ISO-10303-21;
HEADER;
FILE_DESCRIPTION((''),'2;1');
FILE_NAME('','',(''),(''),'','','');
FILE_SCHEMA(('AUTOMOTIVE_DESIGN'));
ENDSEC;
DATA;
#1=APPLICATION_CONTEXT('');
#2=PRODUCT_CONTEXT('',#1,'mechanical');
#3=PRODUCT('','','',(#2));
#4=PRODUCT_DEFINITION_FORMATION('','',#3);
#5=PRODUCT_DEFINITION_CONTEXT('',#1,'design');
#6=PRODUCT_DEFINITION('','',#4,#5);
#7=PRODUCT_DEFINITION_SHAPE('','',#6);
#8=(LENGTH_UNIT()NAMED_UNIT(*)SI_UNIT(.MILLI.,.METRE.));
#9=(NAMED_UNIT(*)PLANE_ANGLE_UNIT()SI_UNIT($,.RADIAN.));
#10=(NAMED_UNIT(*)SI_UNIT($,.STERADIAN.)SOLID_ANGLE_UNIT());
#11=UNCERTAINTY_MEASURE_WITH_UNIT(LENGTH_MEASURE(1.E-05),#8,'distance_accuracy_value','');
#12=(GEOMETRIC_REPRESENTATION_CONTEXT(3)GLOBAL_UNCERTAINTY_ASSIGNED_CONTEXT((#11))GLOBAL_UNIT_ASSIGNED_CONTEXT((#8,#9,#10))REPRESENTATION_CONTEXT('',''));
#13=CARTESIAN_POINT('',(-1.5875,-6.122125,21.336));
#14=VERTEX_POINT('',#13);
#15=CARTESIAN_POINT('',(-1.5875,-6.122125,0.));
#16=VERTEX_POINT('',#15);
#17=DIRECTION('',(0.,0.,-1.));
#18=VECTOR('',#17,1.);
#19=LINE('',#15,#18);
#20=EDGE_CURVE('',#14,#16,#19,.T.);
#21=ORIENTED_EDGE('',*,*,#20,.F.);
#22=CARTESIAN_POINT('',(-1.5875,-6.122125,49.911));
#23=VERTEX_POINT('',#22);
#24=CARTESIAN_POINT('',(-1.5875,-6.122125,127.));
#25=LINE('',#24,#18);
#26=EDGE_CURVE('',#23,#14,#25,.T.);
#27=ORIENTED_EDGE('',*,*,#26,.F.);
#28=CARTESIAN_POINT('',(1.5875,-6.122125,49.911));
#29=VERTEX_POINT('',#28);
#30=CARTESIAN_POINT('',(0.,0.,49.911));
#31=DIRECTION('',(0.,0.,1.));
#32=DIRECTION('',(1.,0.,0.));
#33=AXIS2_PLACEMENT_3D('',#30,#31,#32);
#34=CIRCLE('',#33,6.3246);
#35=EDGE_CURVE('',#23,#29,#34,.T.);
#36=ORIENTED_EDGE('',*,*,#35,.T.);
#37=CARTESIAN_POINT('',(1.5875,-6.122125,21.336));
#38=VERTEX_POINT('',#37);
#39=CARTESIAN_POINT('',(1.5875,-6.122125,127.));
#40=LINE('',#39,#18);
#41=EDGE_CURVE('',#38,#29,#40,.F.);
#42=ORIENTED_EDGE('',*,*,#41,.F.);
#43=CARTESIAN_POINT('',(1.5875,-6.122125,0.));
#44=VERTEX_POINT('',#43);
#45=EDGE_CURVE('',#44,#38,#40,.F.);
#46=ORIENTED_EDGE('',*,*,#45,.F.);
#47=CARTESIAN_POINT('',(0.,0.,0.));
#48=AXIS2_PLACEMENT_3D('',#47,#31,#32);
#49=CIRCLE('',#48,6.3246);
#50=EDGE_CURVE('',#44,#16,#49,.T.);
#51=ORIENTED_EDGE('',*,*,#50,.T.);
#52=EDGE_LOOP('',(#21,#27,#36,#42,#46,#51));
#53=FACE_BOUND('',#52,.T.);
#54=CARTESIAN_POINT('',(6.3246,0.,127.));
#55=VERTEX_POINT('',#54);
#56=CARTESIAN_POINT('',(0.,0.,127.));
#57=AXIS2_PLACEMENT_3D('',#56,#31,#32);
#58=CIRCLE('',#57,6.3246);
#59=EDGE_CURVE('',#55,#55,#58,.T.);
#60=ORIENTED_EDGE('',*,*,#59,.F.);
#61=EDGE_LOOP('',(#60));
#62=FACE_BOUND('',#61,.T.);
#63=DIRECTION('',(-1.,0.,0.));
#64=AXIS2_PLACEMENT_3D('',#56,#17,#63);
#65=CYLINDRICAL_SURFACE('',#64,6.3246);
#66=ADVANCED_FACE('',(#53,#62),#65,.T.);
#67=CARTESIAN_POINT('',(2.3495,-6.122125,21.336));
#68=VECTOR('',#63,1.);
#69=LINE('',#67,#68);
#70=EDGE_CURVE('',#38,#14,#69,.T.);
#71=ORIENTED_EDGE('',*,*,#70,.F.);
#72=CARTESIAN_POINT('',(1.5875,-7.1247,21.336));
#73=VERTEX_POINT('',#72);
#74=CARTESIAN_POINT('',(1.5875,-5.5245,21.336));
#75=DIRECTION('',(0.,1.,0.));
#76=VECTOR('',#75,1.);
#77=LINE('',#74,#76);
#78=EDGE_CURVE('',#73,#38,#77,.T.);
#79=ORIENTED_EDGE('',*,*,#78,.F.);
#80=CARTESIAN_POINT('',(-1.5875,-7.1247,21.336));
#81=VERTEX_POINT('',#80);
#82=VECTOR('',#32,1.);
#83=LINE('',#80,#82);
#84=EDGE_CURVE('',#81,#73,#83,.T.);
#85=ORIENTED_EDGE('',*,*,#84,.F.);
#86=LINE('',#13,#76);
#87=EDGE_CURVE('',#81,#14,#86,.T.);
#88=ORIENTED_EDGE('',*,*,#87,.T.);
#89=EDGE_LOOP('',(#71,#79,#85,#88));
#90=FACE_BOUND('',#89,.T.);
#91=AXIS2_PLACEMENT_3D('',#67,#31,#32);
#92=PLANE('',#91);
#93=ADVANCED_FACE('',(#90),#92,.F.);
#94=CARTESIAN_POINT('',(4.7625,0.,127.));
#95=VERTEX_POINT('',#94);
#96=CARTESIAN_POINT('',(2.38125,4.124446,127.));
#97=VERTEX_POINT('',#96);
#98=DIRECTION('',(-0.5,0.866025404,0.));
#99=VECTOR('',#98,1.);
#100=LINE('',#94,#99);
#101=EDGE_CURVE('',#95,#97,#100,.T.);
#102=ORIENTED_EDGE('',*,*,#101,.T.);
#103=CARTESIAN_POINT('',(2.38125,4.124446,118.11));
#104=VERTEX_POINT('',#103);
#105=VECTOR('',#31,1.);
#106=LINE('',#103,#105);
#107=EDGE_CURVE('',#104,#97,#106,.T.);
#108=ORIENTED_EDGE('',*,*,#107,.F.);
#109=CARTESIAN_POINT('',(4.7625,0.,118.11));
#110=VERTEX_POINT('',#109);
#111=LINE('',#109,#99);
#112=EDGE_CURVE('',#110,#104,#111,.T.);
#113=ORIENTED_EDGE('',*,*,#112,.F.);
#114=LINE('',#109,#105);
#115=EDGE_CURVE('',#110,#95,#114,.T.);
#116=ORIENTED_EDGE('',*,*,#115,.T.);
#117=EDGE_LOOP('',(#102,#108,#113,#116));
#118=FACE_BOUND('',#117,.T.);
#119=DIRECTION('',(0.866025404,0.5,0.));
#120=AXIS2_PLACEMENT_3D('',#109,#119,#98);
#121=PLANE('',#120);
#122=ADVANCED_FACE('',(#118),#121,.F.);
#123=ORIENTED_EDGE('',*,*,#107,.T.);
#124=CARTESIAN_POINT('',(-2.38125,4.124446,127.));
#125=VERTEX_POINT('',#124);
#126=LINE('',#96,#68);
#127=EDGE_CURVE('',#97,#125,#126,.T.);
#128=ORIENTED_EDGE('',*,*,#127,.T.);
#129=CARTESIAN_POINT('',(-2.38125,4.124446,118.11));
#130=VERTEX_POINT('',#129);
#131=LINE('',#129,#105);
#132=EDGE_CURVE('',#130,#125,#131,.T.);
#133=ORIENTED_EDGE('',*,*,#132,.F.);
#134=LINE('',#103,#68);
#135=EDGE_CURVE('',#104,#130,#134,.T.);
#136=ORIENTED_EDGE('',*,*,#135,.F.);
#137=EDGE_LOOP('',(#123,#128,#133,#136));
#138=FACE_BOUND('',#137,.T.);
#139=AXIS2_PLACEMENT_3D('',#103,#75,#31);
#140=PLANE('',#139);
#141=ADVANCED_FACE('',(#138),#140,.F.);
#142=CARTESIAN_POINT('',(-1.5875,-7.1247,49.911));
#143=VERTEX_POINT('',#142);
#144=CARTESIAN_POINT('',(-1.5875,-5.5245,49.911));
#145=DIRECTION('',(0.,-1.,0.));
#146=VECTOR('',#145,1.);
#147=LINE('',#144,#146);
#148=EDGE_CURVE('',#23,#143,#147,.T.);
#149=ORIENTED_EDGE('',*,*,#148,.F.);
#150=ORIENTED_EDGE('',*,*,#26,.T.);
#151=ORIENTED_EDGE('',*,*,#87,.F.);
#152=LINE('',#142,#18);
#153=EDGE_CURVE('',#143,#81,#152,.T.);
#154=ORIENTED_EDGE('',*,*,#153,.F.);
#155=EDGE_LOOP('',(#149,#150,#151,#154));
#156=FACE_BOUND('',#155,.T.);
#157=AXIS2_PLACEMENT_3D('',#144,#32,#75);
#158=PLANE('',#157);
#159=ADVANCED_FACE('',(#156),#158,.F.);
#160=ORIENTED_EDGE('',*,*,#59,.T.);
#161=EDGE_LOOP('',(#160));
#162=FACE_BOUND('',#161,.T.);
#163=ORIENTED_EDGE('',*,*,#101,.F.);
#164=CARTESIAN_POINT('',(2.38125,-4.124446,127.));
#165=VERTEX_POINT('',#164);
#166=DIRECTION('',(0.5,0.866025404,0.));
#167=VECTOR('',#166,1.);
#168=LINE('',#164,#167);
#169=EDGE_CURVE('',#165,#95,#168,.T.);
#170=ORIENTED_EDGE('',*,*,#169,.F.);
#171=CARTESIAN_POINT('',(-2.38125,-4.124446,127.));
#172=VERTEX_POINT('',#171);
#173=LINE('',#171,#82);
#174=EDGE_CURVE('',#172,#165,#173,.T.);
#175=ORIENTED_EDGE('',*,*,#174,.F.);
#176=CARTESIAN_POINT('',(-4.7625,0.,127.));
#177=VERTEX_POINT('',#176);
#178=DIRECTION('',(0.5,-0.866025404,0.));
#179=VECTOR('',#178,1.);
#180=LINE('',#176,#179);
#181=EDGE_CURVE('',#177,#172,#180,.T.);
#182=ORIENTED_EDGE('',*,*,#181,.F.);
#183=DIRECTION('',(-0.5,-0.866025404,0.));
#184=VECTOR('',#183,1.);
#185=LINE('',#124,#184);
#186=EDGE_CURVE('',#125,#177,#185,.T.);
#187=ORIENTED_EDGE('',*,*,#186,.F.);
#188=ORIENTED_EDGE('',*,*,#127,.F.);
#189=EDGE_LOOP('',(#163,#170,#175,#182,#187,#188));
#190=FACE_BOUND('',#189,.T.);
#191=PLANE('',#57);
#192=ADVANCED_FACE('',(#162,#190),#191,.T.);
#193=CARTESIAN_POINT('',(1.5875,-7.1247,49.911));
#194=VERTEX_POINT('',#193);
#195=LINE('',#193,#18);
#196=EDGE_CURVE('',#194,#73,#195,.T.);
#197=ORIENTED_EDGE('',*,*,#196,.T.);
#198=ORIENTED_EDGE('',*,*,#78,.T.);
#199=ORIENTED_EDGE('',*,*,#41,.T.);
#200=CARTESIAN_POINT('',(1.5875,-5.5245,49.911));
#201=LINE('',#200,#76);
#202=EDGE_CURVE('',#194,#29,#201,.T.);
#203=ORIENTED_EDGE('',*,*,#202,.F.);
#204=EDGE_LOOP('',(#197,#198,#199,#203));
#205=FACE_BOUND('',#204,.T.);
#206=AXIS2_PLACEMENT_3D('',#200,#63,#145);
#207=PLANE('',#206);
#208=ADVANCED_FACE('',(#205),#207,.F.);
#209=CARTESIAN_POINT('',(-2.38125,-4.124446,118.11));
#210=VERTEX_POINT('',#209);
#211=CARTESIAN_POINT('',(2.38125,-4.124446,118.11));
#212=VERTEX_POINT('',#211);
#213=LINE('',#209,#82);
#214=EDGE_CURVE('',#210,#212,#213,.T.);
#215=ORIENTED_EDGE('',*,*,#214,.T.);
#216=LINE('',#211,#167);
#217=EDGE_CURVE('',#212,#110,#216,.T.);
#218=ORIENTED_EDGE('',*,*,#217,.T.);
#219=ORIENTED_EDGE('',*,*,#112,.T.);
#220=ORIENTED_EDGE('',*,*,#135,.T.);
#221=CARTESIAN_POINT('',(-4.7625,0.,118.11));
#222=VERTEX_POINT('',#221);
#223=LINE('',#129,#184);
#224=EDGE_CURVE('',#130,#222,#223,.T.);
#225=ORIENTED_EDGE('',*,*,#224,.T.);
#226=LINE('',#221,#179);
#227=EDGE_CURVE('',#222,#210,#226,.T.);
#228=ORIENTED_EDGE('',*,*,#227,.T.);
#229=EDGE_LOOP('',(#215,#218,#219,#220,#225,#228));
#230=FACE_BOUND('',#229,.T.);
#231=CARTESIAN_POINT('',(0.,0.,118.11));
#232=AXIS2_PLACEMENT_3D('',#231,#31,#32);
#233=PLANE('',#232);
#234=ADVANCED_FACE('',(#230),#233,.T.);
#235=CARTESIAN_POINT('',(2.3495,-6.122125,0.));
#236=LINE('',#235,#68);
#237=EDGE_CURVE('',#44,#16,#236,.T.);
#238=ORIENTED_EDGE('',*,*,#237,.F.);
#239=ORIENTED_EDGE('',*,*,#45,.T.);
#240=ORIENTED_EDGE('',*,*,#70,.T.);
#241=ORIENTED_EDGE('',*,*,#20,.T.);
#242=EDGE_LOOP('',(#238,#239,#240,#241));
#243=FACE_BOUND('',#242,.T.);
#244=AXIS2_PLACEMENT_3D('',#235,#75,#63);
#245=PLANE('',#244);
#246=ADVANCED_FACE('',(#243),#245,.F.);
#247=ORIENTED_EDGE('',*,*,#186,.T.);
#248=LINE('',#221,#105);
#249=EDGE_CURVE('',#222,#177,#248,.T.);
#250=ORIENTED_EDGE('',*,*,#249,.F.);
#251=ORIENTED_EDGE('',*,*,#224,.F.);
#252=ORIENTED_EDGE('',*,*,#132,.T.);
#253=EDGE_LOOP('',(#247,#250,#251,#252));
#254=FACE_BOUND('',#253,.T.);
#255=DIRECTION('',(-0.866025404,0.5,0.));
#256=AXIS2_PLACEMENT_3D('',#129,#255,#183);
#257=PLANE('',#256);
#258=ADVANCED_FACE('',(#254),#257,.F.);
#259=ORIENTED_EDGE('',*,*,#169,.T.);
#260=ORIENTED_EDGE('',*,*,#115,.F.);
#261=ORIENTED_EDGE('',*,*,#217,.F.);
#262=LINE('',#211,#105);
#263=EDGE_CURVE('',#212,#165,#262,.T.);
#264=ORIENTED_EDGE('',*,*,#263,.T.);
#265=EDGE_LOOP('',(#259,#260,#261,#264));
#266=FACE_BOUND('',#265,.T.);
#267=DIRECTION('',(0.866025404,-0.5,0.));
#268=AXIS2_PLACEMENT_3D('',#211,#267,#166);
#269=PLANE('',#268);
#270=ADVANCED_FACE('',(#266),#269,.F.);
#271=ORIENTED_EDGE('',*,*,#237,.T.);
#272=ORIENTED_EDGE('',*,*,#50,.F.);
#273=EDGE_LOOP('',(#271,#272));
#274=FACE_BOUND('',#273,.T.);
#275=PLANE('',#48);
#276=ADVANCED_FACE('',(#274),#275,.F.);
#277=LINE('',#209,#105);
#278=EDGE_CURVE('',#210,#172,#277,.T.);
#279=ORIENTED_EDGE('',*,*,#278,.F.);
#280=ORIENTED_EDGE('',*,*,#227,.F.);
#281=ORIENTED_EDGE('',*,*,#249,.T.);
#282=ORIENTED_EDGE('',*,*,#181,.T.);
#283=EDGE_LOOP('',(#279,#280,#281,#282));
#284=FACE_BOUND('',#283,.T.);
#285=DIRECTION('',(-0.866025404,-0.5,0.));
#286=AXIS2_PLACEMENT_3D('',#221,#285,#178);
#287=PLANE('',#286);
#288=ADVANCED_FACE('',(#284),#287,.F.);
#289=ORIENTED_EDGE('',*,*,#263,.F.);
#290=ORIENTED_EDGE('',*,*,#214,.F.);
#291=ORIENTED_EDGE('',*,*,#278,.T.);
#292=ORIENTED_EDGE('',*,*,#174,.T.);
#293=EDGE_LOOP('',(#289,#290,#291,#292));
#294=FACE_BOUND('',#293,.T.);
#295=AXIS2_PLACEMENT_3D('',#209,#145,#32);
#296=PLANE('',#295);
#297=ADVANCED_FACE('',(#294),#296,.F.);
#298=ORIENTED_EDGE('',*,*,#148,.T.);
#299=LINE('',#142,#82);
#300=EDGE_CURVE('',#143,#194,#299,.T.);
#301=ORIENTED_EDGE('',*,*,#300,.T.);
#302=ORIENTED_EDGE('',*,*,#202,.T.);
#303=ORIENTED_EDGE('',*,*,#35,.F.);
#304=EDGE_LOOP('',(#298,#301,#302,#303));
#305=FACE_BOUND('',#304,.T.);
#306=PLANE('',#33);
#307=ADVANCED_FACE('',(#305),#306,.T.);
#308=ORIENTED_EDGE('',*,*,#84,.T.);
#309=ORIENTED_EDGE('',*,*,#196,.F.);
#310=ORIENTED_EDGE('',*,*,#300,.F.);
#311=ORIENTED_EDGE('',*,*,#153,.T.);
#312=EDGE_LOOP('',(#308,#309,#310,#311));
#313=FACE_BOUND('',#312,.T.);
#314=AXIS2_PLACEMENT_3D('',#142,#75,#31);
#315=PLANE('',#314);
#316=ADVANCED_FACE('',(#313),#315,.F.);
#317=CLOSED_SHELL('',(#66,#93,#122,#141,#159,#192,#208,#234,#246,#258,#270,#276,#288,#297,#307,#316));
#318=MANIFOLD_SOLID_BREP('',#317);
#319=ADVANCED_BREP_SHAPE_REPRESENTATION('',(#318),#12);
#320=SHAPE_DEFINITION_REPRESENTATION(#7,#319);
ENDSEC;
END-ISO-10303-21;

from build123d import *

# Parameters (mm, degrees)
SKETCH8_R           = 6.3246
BOSS_EXTRUDE7_DEPTH = 127
SKETCH9_W           = 3.175
SKETCH9_H           = 1.6002
BOSS_EXTRUDE8_DEPTH = 49.911
SKETCH10_W          = 21.336
SKETCH10_H          = 1.002575458
CUT_EXTRUDE1_DEPTH  = 3.937
CUT_EXTRUDE2_DEPTH  = 8.89


with BuildPart() as part:
    # Sketch8 → Boss-Extrude7 (new body)
    with BuildSketch(Plane.XY):
        Circle(SKETCH8_R)
    extrude(amount=BOSS_EXTRUDE7_DEPTH)

    # Sketch9 → Boss-Extrude8 (add)
    with BuildSketch(Plane.XY):
        with Locations((0, -6.3246)):
            Rectangle(SKETCH9_W, SKETCH9_H)
    extrude(amount=BOSS_EXTRUDE8_DEPTH)

    # Sketch10 → Cut-Extrude1 (cut)
    with BuildSketch(Plane.ZY.offset(1.5875)):
        with Locations((10.668, -6.623412271)):
            Rectangle(SKETCH10_W, SKETCH10_H)
    extrude(amount=-CUT_EXTRUDE1_DEPTH, mode=Mode.SUBTRACT)

    # Sketch11 → Cut-Extrude2 (cut)
    with BuildSketch(Plane.XY.offset(127)):
        Polygon((4.7625, 0), (2.38125, 4.124445986), (-2.38125, 4.124445986), (-4.7625, 0), (-2.38125, -4.124445986), (2.38125, -4.124445986), align=None)
    extrude(amount=-CUT_EXTRUDE2_DEPTH, mode=Mode.SUBTRACT)


solid = part.part
